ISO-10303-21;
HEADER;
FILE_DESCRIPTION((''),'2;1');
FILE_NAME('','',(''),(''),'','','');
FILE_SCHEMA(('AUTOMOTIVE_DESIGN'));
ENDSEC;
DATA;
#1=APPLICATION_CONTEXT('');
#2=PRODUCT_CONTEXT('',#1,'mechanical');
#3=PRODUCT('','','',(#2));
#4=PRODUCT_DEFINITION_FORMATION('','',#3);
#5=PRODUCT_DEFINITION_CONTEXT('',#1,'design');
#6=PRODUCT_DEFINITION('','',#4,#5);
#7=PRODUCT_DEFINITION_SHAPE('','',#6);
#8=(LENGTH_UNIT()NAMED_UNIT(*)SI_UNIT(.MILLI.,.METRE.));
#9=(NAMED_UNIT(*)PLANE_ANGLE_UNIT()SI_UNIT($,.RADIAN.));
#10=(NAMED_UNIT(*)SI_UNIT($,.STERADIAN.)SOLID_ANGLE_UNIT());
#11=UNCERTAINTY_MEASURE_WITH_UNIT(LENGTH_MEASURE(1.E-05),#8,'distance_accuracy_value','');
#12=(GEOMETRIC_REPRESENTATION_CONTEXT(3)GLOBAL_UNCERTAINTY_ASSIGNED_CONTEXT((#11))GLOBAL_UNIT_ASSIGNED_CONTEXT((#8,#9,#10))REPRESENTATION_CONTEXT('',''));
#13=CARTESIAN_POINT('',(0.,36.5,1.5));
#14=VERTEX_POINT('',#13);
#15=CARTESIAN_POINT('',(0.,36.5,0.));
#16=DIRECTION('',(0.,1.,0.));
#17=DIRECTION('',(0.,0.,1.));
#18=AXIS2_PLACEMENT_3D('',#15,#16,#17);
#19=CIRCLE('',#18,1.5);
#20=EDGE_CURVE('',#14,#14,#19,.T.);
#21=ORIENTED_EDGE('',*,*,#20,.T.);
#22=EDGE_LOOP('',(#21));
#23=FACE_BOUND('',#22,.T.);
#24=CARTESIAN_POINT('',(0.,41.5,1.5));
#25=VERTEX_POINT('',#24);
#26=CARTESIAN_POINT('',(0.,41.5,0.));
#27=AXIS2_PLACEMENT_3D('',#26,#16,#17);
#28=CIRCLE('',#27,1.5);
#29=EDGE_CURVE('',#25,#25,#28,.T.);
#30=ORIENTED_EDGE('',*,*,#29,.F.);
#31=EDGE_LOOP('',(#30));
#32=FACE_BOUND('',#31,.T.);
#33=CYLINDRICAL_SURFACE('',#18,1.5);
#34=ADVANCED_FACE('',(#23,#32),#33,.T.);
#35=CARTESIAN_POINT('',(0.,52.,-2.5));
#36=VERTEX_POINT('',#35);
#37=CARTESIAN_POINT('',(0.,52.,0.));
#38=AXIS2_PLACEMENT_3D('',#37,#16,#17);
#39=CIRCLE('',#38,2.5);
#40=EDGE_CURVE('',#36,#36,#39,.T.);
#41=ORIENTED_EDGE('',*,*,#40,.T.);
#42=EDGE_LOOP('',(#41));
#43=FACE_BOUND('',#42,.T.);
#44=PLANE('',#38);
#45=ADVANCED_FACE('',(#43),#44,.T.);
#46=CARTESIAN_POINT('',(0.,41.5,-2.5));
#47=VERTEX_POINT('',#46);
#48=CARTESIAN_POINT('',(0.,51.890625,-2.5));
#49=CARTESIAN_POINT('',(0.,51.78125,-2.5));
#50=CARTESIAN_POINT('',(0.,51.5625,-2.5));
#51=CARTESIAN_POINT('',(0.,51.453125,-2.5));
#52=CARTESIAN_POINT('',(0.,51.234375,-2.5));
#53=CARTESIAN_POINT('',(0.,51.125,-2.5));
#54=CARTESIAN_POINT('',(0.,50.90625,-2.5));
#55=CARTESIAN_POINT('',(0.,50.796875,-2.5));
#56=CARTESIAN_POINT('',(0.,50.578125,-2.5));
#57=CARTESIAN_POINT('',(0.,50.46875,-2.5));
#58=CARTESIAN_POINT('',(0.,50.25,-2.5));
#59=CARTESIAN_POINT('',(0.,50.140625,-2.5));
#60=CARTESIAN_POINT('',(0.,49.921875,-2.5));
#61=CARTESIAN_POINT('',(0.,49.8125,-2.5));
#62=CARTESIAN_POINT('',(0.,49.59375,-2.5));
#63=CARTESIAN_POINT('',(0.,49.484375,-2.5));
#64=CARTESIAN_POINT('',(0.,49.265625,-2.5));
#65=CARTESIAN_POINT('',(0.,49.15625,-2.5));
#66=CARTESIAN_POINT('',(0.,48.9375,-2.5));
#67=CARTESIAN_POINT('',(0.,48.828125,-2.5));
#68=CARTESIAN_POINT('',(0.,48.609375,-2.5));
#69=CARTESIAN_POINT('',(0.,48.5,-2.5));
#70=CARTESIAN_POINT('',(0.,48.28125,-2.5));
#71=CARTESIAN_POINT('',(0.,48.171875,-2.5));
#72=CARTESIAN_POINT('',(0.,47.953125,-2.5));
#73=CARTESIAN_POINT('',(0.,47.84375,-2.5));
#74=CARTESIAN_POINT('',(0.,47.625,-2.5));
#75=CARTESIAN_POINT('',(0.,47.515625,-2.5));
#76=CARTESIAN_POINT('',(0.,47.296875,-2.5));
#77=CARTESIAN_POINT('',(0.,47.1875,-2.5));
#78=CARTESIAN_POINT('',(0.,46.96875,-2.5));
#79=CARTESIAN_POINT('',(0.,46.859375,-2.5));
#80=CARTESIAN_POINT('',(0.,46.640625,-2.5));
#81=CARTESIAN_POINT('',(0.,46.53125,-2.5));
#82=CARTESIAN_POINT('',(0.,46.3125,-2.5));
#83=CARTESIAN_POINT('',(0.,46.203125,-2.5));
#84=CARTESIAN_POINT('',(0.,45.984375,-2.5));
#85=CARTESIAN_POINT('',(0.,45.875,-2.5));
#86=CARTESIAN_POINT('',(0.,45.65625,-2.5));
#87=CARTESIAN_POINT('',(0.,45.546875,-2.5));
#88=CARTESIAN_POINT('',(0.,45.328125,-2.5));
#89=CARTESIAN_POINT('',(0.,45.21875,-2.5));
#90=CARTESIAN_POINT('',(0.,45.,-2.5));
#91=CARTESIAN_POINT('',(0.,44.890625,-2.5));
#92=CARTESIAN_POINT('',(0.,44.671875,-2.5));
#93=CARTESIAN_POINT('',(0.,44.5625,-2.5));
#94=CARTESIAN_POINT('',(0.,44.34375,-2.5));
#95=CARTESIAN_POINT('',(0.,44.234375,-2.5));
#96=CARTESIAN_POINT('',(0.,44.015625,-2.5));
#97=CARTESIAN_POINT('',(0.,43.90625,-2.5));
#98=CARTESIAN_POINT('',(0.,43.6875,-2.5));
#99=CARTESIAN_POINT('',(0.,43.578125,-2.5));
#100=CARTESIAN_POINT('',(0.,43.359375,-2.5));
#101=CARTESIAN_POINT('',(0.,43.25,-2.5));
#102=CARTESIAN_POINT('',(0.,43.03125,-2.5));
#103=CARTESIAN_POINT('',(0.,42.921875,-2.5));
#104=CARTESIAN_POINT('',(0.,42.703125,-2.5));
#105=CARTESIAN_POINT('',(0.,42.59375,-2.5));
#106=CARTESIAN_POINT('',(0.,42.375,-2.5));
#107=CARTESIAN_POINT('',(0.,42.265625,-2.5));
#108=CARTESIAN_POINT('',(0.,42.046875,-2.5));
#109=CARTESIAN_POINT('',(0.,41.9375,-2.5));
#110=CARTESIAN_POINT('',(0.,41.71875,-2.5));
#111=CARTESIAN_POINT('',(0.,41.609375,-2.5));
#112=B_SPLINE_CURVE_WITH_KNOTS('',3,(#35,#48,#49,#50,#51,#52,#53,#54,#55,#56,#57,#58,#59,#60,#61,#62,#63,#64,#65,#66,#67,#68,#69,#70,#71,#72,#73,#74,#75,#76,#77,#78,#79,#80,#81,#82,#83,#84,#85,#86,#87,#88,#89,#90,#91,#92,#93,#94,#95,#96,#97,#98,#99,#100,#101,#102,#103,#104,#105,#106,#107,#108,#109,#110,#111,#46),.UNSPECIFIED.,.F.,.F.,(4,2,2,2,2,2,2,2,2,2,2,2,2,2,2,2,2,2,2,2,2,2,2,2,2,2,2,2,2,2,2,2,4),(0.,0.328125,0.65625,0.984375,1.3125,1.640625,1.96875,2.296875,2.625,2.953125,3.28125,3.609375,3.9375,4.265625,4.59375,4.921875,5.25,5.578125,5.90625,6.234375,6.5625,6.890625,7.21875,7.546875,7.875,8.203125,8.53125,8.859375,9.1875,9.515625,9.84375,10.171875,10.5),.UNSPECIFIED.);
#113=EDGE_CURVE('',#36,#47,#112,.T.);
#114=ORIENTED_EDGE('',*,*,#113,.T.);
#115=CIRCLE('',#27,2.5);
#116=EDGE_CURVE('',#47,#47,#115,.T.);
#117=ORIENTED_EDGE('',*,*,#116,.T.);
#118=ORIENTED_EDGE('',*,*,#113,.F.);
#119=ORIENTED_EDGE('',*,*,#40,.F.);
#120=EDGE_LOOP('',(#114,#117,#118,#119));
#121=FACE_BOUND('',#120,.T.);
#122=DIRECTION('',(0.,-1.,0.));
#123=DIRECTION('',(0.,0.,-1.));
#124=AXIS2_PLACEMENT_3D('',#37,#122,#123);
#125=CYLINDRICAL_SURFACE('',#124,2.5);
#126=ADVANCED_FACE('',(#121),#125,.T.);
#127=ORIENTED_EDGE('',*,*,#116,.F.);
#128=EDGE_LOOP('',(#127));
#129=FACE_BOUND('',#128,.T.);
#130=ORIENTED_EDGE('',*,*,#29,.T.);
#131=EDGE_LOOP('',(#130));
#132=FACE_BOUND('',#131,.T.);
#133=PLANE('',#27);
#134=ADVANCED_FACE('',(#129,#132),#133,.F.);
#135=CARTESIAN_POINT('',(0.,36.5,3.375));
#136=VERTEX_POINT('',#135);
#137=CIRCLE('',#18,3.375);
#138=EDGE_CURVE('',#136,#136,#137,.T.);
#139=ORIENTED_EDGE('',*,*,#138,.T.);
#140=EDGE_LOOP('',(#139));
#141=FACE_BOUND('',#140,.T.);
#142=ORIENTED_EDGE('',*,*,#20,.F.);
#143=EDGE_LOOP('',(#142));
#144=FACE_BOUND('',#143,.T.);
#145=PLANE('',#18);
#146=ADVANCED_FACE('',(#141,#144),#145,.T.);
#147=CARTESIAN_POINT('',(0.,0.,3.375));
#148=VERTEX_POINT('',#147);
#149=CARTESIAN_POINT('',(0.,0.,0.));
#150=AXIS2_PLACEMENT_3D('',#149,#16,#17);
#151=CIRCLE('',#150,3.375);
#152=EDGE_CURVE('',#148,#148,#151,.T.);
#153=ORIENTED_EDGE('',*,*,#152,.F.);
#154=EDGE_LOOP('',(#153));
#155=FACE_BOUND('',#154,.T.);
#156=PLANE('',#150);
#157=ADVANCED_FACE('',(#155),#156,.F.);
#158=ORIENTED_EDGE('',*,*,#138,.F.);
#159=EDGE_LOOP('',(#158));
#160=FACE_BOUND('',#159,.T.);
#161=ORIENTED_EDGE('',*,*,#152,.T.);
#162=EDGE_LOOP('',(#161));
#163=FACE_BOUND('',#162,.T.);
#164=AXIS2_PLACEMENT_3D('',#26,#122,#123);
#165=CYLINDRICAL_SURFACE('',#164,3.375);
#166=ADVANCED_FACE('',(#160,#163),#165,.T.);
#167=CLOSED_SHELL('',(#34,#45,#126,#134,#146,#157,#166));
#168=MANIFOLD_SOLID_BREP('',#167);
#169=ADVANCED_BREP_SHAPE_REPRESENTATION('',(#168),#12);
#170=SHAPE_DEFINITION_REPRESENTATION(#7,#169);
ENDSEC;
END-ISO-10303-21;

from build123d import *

# Parameters (mm, degrees)
SKETCH1_R           = 3.375
BOSS_EXTRUDE1_DEPTH = 41.5
SKETCH2_R           = 2.5
BOSS_EXTRUDE2_DEPTH = 10.5
CUT_EXTRUDE1_START  = -5
SKETCH3_R           = 3.375
SKETCH3_R_2         = 1.5
CUT_EXTRUDE1_DEPTH  = 5


with BuildPart() as part:
    # Sketch1 → Boss-Extrude1 (new body)
    with BuildSketch(Plane(origin=(0, 0, 0), x_dir=(1, 0, 0), z_dir=(0, 1, 0))):
        with Locations(Location((0, 0, 0), (0, 0, 270))):
            Circle(SKETCH1_R)
    extrude(amount=BOSS_EXTRUDE1_DEPTH)

    # Sketch2 → Boss-Extrude2 (add)
    with BuildSketch(Plane(origin=(0, 41.5, 0), x_dir=(1, 0, 0), z_dir=(0, 1, 0))):
        with Locations(Location((0, 0, 0), (0, 0, 90))):
            Circle(SKETCH2_R)
    extrude(amount=BOSS_EXTRUDE2_DEPTH)

    # Sketch3 → Cut-Extrude1 (cut)
    with BuildSketch(Plane(origin=(0, 41.5, 0), x_dir=(1, 0, 0), z_dir=(0, 1, 0)).offset(CUT_EXTRUDE1_START)):
        with Locations(Location((0, 0, 0), (0, 0, 270))):
            Circle(SKETCH3_R)
        with Locations(Location((0, 0, 0), (0, 0, 270))):
            Circle(SKETCH3_R_2, mode=Mode.SUBTRACT)
    extrude(amount=CUT_EXTRUDE1_DEPTH, mode=Mode.SUBTRACT)


solid = part.part
